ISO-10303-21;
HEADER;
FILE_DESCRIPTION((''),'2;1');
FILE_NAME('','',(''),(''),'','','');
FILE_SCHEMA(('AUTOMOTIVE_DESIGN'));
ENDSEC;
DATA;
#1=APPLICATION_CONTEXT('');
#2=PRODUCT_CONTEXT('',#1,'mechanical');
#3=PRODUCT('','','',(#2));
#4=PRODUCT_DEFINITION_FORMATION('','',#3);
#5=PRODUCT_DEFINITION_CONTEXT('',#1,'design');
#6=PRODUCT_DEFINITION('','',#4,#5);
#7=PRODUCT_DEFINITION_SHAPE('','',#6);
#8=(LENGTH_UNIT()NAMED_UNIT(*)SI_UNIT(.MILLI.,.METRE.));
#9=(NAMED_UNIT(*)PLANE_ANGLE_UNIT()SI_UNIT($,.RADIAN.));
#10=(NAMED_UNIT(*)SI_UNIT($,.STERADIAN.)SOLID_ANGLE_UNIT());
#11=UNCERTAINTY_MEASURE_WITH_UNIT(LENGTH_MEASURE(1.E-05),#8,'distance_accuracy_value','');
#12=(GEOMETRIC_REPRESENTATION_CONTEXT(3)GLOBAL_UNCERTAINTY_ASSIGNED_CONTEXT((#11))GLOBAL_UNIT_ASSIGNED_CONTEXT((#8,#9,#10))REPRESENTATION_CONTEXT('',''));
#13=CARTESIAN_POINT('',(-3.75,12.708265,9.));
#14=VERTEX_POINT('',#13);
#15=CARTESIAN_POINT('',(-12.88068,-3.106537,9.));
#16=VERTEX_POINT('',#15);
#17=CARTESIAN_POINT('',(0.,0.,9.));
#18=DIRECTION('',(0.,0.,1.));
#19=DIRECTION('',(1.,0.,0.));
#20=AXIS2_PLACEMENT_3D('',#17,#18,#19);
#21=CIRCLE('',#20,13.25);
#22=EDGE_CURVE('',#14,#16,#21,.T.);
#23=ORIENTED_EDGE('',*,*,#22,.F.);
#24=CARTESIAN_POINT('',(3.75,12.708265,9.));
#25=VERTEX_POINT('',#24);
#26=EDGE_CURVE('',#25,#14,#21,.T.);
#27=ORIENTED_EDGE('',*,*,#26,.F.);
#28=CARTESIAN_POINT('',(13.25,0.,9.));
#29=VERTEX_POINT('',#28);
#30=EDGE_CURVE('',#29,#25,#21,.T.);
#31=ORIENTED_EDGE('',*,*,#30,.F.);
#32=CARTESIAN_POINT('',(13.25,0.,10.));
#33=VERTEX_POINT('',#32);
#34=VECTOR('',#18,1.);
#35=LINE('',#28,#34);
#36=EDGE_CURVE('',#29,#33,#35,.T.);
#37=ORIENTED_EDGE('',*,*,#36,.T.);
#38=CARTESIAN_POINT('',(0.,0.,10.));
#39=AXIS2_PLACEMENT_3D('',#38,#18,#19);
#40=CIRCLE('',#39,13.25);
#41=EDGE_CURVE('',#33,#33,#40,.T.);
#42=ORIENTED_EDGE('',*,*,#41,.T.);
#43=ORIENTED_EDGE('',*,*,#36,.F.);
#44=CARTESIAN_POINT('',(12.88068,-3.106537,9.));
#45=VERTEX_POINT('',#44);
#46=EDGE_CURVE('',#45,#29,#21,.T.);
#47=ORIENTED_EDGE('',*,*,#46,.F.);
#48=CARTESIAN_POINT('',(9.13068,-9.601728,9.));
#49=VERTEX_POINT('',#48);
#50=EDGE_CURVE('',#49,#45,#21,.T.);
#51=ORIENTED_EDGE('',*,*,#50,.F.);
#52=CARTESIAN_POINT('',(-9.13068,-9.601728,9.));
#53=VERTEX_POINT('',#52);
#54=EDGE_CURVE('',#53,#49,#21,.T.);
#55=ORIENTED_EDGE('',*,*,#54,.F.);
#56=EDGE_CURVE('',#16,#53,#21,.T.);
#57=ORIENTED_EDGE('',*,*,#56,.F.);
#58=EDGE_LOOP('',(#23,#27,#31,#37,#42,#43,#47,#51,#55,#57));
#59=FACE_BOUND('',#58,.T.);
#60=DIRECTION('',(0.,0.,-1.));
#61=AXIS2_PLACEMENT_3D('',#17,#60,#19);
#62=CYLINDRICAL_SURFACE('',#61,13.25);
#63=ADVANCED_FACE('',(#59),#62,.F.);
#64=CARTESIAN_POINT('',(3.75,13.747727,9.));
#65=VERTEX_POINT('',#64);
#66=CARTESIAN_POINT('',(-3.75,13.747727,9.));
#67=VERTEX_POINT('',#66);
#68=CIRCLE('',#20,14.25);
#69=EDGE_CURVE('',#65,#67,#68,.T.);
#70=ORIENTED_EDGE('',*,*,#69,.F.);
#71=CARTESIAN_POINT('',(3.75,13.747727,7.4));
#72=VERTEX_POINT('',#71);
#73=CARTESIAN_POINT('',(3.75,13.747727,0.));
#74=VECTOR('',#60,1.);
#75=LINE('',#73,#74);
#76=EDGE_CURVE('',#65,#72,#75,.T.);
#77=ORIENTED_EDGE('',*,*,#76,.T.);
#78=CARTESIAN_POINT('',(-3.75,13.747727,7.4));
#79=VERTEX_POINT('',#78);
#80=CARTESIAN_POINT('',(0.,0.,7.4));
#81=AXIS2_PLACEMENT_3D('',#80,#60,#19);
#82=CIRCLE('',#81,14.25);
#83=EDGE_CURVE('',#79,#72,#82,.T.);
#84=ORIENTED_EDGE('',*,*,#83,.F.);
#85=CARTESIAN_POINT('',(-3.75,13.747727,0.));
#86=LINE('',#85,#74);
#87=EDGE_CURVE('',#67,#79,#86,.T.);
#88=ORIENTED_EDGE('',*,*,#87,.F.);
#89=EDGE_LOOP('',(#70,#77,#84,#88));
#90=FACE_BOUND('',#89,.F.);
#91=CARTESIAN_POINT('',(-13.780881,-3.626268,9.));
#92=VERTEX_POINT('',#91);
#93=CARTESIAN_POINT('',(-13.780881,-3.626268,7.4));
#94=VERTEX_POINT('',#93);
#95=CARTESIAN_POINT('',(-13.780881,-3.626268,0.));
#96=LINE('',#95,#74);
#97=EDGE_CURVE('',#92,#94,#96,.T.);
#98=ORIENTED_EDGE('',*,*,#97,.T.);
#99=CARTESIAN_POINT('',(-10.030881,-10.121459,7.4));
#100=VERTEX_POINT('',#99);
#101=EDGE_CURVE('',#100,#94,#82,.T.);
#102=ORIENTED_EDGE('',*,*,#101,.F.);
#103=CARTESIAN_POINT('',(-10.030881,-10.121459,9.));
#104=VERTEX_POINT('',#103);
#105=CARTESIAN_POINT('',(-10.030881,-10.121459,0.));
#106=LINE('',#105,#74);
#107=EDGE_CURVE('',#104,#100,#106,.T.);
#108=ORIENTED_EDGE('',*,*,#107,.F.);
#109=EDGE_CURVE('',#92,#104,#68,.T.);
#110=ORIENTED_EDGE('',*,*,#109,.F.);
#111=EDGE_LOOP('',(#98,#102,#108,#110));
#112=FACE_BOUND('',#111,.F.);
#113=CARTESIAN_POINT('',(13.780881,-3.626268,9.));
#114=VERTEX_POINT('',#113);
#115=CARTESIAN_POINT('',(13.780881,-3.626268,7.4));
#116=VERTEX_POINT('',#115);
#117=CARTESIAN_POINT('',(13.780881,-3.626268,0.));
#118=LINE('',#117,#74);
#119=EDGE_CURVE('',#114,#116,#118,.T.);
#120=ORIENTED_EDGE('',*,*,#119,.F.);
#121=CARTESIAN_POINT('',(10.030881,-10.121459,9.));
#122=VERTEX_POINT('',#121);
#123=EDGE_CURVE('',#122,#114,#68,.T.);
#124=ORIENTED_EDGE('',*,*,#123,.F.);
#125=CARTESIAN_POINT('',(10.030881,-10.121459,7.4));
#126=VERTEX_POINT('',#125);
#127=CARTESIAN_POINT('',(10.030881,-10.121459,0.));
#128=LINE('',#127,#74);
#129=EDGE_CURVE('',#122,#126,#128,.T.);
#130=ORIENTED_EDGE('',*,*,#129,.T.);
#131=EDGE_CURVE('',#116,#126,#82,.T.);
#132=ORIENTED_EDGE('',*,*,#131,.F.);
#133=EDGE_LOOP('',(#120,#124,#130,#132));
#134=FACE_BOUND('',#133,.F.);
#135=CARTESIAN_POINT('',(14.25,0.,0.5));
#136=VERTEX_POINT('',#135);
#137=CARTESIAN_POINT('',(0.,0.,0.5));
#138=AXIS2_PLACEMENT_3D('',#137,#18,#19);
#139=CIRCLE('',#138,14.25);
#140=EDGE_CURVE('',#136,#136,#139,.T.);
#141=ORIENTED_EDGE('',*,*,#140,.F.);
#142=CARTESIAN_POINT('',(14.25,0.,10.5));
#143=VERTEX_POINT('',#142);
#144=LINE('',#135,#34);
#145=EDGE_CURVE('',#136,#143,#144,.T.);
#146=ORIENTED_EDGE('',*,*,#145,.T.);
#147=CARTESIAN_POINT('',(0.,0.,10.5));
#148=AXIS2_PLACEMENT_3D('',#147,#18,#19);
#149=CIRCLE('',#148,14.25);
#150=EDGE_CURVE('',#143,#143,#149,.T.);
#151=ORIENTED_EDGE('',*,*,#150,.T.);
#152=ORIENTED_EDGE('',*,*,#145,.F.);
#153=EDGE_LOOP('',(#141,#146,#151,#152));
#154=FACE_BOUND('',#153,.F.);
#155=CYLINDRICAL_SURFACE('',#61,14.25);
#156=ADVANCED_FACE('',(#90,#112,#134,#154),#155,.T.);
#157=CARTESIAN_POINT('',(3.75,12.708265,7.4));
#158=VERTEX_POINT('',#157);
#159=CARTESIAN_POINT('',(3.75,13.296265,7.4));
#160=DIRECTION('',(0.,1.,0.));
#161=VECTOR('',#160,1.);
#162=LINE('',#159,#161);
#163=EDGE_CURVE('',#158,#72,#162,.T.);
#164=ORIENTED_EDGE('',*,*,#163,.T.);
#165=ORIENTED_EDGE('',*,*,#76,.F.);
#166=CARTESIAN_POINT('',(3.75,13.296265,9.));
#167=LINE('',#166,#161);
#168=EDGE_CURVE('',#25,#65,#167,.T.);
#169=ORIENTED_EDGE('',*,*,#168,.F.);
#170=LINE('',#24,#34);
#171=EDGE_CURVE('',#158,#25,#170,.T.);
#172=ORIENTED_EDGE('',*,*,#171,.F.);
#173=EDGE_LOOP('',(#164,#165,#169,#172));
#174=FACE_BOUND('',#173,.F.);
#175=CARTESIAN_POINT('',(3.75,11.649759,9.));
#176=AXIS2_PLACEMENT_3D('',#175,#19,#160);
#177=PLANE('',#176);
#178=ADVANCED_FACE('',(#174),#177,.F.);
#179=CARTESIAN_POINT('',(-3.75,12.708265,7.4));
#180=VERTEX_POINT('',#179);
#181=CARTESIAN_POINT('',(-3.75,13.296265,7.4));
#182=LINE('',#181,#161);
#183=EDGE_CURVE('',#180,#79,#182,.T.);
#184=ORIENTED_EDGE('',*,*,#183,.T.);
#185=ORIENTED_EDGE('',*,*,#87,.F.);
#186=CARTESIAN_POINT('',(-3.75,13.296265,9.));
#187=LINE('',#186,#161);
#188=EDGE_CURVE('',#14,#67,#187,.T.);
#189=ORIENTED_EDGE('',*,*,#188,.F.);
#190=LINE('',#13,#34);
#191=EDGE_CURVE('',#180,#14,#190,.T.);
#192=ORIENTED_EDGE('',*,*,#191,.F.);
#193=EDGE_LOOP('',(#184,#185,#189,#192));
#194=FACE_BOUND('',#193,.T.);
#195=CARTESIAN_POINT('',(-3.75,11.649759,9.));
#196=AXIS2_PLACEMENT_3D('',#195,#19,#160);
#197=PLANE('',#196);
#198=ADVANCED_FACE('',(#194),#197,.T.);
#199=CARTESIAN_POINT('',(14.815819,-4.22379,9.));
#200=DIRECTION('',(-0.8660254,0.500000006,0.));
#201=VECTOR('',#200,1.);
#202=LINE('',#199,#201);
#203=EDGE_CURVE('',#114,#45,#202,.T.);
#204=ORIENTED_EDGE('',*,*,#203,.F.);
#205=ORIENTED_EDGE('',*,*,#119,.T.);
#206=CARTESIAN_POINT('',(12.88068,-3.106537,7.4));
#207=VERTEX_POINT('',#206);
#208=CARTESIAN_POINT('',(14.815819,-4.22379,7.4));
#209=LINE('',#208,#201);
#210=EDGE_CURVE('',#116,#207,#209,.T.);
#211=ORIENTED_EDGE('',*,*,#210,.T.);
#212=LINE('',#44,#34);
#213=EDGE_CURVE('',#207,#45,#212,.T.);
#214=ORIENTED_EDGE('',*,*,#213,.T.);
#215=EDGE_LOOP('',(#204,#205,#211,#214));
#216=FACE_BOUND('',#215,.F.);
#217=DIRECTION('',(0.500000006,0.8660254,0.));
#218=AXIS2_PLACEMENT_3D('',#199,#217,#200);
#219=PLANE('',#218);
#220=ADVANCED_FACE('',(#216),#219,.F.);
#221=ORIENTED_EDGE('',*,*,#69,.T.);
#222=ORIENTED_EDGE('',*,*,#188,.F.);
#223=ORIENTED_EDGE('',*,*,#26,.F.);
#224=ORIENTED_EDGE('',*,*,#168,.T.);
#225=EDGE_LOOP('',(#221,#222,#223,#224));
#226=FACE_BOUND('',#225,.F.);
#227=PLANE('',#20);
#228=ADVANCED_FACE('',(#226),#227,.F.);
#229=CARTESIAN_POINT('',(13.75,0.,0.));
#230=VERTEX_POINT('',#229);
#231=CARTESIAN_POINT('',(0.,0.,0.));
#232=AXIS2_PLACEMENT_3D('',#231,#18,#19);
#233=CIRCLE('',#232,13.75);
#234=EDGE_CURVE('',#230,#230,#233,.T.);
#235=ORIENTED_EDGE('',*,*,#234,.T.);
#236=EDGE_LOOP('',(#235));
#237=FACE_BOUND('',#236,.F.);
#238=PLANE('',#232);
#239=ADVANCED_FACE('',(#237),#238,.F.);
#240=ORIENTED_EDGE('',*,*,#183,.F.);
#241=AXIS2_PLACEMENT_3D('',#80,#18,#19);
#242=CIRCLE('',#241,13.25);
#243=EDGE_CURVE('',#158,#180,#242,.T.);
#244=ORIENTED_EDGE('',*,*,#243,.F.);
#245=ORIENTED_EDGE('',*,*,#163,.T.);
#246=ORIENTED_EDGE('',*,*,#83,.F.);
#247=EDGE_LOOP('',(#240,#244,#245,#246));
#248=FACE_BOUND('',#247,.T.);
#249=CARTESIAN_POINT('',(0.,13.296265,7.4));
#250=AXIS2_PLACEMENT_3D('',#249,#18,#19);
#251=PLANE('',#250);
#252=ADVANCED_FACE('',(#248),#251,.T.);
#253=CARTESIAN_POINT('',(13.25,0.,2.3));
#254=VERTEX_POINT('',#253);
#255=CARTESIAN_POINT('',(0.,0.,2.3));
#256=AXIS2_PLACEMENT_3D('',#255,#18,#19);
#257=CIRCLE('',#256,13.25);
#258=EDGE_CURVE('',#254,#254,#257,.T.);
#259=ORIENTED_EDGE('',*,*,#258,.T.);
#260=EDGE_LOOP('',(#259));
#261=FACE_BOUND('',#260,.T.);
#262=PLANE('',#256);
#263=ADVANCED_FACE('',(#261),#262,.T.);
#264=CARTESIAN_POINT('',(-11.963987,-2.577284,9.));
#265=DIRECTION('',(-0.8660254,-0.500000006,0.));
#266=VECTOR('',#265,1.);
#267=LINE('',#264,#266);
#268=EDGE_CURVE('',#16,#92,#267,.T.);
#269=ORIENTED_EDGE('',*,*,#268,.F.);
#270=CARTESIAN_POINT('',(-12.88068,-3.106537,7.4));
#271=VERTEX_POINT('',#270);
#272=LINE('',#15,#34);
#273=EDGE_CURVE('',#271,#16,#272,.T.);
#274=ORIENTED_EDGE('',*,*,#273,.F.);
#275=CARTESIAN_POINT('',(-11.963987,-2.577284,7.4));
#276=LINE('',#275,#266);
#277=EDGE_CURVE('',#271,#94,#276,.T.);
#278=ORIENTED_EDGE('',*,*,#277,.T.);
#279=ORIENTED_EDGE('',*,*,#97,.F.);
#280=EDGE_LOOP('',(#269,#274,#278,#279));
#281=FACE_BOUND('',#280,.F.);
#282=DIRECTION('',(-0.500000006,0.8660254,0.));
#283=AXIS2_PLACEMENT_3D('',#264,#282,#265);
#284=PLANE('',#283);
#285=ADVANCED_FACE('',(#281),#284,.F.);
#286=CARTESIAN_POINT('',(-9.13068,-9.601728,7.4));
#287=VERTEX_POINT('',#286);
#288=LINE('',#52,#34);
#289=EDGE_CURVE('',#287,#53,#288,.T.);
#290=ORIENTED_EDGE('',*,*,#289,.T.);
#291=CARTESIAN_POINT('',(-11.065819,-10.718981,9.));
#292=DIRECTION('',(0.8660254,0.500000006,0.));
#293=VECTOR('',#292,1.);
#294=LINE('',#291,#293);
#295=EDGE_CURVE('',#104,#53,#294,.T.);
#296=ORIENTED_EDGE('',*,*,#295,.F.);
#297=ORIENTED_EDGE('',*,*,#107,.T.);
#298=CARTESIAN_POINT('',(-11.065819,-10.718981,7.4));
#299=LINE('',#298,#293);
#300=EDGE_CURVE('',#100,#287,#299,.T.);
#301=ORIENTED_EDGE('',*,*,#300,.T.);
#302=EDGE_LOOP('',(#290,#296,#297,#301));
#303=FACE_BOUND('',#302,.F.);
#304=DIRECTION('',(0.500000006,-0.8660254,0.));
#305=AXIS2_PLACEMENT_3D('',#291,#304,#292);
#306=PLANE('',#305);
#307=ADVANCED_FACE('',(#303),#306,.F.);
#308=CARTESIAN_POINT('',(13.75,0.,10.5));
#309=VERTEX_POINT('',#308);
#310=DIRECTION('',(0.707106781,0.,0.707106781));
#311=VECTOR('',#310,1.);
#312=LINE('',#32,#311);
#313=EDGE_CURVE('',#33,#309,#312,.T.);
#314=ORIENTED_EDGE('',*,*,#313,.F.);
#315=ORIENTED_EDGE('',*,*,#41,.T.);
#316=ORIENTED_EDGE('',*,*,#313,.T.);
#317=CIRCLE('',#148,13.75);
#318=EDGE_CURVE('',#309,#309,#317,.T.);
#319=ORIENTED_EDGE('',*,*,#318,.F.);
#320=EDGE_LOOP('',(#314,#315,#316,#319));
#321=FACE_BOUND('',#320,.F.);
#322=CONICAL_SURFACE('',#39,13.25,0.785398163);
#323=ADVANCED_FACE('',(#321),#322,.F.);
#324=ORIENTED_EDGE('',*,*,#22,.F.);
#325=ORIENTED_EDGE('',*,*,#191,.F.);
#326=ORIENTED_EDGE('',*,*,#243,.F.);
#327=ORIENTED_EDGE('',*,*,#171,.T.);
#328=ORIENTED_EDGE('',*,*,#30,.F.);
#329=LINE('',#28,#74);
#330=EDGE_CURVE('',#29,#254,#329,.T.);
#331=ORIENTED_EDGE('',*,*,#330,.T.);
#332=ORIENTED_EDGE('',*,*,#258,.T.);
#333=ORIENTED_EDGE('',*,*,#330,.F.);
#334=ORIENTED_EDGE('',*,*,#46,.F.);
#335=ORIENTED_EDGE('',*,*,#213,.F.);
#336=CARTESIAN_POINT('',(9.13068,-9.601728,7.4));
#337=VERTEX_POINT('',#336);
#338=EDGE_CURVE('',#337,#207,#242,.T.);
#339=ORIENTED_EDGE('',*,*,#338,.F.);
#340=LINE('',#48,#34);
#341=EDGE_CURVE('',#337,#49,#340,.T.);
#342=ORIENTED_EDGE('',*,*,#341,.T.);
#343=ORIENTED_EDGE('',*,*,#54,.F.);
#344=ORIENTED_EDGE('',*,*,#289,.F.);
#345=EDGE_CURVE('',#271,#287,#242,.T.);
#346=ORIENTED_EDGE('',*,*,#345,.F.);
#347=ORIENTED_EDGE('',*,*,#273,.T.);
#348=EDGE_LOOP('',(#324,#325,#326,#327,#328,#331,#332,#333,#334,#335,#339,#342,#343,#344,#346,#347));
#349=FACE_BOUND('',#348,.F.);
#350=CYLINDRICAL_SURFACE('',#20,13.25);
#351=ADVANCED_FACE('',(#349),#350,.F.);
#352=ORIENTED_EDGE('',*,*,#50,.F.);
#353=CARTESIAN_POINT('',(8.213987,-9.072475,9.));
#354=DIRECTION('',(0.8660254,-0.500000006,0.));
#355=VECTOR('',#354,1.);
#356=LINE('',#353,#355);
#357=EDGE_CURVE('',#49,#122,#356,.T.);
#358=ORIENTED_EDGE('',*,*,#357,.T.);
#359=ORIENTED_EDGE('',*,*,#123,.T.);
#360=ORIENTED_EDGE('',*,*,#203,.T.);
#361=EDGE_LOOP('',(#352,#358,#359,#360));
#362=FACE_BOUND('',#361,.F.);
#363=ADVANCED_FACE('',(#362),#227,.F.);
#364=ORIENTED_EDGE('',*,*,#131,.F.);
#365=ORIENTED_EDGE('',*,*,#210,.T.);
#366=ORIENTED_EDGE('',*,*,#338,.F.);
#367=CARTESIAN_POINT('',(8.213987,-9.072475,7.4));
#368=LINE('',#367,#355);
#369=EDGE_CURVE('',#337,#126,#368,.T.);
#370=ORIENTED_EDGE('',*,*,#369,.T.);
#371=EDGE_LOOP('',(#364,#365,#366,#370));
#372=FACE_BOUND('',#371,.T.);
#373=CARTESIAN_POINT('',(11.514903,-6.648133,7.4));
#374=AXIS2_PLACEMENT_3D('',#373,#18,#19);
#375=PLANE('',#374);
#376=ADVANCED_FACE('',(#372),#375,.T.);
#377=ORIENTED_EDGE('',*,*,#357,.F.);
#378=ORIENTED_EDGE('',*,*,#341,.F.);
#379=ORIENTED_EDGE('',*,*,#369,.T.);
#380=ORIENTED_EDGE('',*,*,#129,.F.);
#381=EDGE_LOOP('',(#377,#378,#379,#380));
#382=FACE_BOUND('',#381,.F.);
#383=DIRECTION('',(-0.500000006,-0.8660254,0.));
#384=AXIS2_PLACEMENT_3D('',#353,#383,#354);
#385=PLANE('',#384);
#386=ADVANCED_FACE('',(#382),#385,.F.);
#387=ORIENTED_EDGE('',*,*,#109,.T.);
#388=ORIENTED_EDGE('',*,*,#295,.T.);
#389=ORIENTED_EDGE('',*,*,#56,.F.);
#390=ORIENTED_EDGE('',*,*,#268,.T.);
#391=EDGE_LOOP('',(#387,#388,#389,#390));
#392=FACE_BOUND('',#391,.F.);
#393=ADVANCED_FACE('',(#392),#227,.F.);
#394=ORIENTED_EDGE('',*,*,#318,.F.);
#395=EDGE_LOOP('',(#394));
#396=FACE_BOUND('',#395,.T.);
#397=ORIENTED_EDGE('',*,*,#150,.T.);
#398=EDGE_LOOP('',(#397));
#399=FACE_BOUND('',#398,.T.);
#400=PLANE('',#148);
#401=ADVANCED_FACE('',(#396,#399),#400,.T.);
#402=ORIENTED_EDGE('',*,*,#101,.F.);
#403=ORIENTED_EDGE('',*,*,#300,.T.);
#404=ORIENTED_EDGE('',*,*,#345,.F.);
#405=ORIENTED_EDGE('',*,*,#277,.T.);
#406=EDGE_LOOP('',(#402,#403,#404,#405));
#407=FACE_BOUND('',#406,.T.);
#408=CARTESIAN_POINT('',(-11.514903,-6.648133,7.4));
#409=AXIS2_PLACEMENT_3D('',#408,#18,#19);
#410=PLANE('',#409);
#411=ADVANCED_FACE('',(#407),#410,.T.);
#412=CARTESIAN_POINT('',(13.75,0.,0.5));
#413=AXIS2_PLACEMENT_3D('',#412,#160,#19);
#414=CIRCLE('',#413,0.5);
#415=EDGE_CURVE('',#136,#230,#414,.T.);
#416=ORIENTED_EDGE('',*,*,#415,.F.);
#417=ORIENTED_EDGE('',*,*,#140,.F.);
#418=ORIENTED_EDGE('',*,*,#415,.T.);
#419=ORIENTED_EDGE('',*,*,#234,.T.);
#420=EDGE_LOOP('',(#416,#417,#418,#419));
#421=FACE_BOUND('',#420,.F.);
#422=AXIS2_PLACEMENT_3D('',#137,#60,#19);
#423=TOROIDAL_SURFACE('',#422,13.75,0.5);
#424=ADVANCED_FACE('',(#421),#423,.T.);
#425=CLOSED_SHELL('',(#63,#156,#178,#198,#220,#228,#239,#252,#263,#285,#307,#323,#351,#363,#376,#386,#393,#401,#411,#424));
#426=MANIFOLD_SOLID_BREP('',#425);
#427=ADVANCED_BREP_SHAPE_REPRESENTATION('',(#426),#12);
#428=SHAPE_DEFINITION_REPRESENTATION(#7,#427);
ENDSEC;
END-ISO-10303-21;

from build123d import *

# Parameters (mm, degrees)
F0_R     = 14.25
F1_DEPTH = 9
F2_R     = 13.25
F3_DEPTH = 6.7
F4_R     = 0.5
F5_W     = 7.5
F5_H     = 3.293012
F6_DEPTH = 1.6
F7_R     = 14.25
F7_R_2   = 13.25
F8_DEPTH = 1.5
F9_SIZE  = 0.5


with BuildPart() as f1:
    # F0 (on Top) → F1 (new body)
    with BuildSketch(Plane.XY):
        Circle(F0_R)
    extrude(amount=F1_DEPTH)

    # F2 (on face) → F3 (cut)
    with BuildSketch(Plane.XY.offset(9)):
        Circle(F2_R)
    extrude(amount=-F3_DEPTH, mode=Mode.SUBTRACT)

    # F4
    f4_edges = [f1.edges().sort_by_distance(p)[0] for p in [
        (-14.25, 0, 0),
    ]]
    fillet(f4_edges, radius=F4_R)

    # F5 (on face) → F6 (cut)
    with BuildSketch(Plane.XY.offset(9)):
        with Locations((0, 13.296265)):
            Rectangle(F5_W, F5_H)
        Polygon((-14.815819, -4.22379), (-11.065819, -10.718981), (-8.213987, -9.072475), (-11.963987, -2.577284), align=None)
        Polygon((11.065819, -10.718981), (14.815819, -4.22379), (11.963987, -2.577284), (8.213987, -9.072475), align=None)
    extrude(amount=-F6_DEPTH, mode=Mode.SUBTRACT)

    # F7 (on face) → F8 (join)
    with BuildSketch(Plane.XY.offset(9)):
        Circle(F7_R)
        Circle(F7_R_2, mode=Mode.SUBTRACT)
    extrude(amount=F8_DEPTH)

    # F9
    f9_edges = [f1.edges().sort_by_distance(p)[0] for p in [
        (-13.25, 0, 10.5),
    ]]
    chamfer(f9_edges, length=F9_SIZE)


solid = f1.part
